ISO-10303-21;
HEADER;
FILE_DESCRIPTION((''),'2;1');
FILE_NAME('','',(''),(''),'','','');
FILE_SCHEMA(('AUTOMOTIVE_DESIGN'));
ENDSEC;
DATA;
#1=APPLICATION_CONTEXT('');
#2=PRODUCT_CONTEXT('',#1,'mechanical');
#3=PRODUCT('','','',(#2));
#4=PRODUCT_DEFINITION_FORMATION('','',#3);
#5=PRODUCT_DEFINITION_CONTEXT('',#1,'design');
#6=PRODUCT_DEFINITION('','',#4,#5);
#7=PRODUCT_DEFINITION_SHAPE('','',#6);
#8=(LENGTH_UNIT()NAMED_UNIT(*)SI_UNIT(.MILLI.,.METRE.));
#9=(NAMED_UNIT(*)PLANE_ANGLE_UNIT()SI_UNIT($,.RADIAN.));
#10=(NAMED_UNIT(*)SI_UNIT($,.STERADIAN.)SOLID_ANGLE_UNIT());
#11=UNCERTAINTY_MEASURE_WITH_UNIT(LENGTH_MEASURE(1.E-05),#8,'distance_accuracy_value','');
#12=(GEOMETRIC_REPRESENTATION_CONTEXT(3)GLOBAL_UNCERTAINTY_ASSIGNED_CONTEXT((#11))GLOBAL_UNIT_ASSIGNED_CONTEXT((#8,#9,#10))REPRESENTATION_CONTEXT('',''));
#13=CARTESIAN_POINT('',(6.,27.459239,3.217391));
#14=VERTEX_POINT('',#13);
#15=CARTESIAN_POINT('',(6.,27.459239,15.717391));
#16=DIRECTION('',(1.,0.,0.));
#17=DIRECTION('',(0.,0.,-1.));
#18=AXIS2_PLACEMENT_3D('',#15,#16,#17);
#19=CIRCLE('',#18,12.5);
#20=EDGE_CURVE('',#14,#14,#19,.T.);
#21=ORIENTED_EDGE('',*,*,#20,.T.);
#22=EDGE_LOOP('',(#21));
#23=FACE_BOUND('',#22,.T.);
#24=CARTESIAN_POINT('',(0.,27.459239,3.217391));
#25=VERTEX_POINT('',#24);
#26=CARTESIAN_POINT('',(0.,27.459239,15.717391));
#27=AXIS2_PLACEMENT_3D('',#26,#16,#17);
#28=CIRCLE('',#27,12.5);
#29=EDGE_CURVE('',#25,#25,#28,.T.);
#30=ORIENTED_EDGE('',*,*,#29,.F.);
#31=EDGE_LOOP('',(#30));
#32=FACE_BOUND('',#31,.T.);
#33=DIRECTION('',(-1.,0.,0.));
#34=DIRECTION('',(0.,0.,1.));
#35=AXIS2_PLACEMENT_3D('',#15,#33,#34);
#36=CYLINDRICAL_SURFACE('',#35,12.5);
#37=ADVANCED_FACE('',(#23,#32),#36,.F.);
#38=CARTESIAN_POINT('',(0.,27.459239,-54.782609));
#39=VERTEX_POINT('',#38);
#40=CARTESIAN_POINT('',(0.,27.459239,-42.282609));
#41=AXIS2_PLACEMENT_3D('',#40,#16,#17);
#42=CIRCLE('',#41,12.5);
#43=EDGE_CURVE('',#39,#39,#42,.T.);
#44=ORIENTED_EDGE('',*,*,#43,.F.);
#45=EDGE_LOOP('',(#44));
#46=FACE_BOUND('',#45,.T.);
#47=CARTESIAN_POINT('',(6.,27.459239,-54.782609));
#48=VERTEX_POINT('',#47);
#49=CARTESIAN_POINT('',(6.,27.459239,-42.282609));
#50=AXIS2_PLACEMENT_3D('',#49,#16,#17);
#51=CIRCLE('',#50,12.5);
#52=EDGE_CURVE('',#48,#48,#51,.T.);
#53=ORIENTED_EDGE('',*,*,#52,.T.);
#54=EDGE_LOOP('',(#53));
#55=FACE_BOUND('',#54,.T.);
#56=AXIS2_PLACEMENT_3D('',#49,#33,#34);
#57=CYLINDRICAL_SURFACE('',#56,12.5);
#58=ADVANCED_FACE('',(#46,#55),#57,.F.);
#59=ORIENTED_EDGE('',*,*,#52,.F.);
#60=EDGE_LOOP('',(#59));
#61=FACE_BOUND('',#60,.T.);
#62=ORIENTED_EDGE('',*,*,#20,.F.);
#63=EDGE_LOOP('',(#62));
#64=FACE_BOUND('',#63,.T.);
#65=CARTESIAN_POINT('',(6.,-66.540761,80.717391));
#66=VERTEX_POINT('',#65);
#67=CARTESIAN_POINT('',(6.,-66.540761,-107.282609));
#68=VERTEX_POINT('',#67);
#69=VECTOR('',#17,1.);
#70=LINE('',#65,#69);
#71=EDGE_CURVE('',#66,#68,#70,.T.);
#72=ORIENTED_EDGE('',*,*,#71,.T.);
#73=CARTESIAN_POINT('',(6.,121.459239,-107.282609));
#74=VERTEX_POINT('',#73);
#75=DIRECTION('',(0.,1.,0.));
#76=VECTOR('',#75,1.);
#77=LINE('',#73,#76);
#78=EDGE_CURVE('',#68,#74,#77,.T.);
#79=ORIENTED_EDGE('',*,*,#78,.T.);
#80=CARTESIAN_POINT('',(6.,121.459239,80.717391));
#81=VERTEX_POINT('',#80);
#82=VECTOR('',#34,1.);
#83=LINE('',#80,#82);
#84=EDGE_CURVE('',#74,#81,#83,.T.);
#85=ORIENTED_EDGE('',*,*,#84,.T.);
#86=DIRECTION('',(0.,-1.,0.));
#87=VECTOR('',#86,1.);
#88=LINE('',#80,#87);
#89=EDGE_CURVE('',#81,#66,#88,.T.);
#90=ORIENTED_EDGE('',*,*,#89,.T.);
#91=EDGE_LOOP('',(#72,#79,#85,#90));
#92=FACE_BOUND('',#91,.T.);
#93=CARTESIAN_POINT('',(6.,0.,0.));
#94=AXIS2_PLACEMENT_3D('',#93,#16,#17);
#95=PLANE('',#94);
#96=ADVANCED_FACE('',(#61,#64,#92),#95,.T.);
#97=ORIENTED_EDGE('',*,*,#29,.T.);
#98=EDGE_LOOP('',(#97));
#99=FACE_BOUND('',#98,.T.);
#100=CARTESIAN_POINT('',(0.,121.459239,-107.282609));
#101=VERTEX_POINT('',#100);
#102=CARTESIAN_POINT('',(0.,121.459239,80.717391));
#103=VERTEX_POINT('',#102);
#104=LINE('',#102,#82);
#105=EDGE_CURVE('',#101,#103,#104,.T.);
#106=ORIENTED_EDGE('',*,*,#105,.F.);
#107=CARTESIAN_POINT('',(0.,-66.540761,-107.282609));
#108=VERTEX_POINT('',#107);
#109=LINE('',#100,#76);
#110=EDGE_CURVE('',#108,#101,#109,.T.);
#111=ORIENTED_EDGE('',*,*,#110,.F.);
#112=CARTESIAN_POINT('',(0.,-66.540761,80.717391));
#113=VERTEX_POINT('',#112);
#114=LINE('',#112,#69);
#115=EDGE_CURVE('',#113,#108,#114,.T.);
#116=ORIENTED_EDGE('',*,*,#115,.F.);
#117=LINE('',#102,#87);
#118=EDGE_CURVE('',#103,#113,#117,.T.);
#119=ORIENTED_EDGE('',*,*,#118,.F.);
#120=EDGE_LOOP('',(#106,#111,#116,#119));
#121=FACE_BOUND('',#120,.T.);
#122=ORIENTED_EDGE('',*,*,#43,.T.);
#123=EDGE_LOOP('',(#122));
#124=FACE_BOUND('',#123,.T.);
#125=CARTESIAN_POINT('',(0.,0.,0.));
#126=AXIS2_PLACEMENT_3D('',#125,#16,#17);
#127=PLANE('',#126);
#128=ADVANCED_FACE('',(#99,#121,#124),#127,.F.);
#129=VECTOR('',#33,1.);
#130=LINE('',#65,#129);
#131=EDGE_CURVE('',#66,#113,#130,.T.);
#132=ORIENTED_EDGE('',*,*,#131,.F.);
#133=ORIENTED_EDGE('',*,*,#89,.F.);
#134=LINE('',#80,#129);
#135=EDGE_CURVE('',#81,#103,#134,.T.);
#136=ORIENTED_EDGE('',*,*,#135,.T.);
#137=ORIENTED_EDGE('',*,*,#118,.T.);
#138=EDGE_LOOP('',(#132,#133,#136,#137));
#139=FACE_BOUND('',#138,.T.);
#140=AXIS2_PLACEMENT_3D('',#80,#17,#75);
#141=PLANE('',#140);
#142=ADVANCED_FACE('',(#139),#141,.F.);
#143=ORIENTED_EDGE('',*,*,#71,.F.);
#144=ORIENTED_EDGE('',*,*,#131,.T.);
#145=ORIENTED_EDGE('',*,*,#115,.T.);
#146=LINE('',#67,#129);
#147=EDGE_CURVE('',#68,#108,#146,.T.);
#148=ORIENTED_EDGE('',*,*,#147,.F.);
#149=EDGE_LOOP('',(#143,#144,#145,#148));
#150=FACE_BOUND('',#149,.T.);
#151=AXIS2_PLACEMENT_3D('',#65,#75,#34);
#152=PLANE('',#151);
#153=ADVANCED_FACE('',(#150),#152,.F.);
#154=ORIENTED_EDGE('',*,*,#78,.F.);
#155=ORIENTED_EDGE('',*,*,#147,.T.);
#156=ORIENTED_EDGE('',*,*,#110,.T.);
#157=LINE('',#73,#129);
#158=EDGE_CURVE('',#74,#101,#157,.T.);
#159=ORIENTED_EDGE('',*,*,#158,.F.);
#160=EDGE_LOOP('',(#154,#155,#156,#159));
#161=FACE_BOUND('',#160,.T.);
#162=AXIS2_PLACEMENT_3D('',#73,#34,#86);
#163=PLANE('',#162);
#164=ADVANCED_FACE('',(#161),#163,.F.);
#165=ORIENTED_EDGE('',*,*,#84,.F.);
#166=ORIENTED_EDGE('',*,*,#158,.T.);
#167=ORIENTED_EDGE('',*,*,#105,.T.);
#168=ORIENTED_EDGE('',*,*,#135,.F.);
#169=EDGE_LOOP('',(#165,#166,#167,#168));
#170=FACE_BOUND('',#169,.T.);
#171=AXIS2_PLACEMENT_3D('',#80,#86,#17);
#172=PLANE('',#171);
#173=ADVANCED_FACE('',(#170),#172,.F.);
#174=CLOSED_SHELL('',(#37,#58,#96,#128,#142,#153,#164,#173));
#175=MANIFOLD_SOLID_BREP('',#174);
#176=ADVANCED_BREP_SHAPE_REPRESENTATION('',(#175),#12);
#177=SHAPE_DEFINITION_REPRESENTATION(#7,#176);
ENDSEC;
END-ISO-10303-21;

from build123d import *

# Parameters (mm, degrees)
SKETCH1_W           = 188
SKETCH1_H           = 188
SKETCH1_R           = 12.5
BOSS_EXTRUDE1_DEPTH = 6


with BuildPart() as part:
    # Sketch1 → Boss-Extrude1 (new body)
    with BuildSketch(Plane(origin=(0, 0, 0), x_dir=(0, 0, -1), z_dir=(1, 0, 0))):
        with Locations((13.282608696, 27.45923913)):
            Rectangle(SKETCH1_W, SKETCH1_H)
        with Locations((42.282608696, 27.45923913)):
            Circle(SKETCH1_R, mode=Mode.SUBTRACT)
        with Locations((-15.717391304, 27.45923913)):
            Circle(SKETCH1_R, mode=Mode.SUBTRACT)
    extrude(amount=BOSS_EXTRUDE1_DEPTH)


solid = part.part
